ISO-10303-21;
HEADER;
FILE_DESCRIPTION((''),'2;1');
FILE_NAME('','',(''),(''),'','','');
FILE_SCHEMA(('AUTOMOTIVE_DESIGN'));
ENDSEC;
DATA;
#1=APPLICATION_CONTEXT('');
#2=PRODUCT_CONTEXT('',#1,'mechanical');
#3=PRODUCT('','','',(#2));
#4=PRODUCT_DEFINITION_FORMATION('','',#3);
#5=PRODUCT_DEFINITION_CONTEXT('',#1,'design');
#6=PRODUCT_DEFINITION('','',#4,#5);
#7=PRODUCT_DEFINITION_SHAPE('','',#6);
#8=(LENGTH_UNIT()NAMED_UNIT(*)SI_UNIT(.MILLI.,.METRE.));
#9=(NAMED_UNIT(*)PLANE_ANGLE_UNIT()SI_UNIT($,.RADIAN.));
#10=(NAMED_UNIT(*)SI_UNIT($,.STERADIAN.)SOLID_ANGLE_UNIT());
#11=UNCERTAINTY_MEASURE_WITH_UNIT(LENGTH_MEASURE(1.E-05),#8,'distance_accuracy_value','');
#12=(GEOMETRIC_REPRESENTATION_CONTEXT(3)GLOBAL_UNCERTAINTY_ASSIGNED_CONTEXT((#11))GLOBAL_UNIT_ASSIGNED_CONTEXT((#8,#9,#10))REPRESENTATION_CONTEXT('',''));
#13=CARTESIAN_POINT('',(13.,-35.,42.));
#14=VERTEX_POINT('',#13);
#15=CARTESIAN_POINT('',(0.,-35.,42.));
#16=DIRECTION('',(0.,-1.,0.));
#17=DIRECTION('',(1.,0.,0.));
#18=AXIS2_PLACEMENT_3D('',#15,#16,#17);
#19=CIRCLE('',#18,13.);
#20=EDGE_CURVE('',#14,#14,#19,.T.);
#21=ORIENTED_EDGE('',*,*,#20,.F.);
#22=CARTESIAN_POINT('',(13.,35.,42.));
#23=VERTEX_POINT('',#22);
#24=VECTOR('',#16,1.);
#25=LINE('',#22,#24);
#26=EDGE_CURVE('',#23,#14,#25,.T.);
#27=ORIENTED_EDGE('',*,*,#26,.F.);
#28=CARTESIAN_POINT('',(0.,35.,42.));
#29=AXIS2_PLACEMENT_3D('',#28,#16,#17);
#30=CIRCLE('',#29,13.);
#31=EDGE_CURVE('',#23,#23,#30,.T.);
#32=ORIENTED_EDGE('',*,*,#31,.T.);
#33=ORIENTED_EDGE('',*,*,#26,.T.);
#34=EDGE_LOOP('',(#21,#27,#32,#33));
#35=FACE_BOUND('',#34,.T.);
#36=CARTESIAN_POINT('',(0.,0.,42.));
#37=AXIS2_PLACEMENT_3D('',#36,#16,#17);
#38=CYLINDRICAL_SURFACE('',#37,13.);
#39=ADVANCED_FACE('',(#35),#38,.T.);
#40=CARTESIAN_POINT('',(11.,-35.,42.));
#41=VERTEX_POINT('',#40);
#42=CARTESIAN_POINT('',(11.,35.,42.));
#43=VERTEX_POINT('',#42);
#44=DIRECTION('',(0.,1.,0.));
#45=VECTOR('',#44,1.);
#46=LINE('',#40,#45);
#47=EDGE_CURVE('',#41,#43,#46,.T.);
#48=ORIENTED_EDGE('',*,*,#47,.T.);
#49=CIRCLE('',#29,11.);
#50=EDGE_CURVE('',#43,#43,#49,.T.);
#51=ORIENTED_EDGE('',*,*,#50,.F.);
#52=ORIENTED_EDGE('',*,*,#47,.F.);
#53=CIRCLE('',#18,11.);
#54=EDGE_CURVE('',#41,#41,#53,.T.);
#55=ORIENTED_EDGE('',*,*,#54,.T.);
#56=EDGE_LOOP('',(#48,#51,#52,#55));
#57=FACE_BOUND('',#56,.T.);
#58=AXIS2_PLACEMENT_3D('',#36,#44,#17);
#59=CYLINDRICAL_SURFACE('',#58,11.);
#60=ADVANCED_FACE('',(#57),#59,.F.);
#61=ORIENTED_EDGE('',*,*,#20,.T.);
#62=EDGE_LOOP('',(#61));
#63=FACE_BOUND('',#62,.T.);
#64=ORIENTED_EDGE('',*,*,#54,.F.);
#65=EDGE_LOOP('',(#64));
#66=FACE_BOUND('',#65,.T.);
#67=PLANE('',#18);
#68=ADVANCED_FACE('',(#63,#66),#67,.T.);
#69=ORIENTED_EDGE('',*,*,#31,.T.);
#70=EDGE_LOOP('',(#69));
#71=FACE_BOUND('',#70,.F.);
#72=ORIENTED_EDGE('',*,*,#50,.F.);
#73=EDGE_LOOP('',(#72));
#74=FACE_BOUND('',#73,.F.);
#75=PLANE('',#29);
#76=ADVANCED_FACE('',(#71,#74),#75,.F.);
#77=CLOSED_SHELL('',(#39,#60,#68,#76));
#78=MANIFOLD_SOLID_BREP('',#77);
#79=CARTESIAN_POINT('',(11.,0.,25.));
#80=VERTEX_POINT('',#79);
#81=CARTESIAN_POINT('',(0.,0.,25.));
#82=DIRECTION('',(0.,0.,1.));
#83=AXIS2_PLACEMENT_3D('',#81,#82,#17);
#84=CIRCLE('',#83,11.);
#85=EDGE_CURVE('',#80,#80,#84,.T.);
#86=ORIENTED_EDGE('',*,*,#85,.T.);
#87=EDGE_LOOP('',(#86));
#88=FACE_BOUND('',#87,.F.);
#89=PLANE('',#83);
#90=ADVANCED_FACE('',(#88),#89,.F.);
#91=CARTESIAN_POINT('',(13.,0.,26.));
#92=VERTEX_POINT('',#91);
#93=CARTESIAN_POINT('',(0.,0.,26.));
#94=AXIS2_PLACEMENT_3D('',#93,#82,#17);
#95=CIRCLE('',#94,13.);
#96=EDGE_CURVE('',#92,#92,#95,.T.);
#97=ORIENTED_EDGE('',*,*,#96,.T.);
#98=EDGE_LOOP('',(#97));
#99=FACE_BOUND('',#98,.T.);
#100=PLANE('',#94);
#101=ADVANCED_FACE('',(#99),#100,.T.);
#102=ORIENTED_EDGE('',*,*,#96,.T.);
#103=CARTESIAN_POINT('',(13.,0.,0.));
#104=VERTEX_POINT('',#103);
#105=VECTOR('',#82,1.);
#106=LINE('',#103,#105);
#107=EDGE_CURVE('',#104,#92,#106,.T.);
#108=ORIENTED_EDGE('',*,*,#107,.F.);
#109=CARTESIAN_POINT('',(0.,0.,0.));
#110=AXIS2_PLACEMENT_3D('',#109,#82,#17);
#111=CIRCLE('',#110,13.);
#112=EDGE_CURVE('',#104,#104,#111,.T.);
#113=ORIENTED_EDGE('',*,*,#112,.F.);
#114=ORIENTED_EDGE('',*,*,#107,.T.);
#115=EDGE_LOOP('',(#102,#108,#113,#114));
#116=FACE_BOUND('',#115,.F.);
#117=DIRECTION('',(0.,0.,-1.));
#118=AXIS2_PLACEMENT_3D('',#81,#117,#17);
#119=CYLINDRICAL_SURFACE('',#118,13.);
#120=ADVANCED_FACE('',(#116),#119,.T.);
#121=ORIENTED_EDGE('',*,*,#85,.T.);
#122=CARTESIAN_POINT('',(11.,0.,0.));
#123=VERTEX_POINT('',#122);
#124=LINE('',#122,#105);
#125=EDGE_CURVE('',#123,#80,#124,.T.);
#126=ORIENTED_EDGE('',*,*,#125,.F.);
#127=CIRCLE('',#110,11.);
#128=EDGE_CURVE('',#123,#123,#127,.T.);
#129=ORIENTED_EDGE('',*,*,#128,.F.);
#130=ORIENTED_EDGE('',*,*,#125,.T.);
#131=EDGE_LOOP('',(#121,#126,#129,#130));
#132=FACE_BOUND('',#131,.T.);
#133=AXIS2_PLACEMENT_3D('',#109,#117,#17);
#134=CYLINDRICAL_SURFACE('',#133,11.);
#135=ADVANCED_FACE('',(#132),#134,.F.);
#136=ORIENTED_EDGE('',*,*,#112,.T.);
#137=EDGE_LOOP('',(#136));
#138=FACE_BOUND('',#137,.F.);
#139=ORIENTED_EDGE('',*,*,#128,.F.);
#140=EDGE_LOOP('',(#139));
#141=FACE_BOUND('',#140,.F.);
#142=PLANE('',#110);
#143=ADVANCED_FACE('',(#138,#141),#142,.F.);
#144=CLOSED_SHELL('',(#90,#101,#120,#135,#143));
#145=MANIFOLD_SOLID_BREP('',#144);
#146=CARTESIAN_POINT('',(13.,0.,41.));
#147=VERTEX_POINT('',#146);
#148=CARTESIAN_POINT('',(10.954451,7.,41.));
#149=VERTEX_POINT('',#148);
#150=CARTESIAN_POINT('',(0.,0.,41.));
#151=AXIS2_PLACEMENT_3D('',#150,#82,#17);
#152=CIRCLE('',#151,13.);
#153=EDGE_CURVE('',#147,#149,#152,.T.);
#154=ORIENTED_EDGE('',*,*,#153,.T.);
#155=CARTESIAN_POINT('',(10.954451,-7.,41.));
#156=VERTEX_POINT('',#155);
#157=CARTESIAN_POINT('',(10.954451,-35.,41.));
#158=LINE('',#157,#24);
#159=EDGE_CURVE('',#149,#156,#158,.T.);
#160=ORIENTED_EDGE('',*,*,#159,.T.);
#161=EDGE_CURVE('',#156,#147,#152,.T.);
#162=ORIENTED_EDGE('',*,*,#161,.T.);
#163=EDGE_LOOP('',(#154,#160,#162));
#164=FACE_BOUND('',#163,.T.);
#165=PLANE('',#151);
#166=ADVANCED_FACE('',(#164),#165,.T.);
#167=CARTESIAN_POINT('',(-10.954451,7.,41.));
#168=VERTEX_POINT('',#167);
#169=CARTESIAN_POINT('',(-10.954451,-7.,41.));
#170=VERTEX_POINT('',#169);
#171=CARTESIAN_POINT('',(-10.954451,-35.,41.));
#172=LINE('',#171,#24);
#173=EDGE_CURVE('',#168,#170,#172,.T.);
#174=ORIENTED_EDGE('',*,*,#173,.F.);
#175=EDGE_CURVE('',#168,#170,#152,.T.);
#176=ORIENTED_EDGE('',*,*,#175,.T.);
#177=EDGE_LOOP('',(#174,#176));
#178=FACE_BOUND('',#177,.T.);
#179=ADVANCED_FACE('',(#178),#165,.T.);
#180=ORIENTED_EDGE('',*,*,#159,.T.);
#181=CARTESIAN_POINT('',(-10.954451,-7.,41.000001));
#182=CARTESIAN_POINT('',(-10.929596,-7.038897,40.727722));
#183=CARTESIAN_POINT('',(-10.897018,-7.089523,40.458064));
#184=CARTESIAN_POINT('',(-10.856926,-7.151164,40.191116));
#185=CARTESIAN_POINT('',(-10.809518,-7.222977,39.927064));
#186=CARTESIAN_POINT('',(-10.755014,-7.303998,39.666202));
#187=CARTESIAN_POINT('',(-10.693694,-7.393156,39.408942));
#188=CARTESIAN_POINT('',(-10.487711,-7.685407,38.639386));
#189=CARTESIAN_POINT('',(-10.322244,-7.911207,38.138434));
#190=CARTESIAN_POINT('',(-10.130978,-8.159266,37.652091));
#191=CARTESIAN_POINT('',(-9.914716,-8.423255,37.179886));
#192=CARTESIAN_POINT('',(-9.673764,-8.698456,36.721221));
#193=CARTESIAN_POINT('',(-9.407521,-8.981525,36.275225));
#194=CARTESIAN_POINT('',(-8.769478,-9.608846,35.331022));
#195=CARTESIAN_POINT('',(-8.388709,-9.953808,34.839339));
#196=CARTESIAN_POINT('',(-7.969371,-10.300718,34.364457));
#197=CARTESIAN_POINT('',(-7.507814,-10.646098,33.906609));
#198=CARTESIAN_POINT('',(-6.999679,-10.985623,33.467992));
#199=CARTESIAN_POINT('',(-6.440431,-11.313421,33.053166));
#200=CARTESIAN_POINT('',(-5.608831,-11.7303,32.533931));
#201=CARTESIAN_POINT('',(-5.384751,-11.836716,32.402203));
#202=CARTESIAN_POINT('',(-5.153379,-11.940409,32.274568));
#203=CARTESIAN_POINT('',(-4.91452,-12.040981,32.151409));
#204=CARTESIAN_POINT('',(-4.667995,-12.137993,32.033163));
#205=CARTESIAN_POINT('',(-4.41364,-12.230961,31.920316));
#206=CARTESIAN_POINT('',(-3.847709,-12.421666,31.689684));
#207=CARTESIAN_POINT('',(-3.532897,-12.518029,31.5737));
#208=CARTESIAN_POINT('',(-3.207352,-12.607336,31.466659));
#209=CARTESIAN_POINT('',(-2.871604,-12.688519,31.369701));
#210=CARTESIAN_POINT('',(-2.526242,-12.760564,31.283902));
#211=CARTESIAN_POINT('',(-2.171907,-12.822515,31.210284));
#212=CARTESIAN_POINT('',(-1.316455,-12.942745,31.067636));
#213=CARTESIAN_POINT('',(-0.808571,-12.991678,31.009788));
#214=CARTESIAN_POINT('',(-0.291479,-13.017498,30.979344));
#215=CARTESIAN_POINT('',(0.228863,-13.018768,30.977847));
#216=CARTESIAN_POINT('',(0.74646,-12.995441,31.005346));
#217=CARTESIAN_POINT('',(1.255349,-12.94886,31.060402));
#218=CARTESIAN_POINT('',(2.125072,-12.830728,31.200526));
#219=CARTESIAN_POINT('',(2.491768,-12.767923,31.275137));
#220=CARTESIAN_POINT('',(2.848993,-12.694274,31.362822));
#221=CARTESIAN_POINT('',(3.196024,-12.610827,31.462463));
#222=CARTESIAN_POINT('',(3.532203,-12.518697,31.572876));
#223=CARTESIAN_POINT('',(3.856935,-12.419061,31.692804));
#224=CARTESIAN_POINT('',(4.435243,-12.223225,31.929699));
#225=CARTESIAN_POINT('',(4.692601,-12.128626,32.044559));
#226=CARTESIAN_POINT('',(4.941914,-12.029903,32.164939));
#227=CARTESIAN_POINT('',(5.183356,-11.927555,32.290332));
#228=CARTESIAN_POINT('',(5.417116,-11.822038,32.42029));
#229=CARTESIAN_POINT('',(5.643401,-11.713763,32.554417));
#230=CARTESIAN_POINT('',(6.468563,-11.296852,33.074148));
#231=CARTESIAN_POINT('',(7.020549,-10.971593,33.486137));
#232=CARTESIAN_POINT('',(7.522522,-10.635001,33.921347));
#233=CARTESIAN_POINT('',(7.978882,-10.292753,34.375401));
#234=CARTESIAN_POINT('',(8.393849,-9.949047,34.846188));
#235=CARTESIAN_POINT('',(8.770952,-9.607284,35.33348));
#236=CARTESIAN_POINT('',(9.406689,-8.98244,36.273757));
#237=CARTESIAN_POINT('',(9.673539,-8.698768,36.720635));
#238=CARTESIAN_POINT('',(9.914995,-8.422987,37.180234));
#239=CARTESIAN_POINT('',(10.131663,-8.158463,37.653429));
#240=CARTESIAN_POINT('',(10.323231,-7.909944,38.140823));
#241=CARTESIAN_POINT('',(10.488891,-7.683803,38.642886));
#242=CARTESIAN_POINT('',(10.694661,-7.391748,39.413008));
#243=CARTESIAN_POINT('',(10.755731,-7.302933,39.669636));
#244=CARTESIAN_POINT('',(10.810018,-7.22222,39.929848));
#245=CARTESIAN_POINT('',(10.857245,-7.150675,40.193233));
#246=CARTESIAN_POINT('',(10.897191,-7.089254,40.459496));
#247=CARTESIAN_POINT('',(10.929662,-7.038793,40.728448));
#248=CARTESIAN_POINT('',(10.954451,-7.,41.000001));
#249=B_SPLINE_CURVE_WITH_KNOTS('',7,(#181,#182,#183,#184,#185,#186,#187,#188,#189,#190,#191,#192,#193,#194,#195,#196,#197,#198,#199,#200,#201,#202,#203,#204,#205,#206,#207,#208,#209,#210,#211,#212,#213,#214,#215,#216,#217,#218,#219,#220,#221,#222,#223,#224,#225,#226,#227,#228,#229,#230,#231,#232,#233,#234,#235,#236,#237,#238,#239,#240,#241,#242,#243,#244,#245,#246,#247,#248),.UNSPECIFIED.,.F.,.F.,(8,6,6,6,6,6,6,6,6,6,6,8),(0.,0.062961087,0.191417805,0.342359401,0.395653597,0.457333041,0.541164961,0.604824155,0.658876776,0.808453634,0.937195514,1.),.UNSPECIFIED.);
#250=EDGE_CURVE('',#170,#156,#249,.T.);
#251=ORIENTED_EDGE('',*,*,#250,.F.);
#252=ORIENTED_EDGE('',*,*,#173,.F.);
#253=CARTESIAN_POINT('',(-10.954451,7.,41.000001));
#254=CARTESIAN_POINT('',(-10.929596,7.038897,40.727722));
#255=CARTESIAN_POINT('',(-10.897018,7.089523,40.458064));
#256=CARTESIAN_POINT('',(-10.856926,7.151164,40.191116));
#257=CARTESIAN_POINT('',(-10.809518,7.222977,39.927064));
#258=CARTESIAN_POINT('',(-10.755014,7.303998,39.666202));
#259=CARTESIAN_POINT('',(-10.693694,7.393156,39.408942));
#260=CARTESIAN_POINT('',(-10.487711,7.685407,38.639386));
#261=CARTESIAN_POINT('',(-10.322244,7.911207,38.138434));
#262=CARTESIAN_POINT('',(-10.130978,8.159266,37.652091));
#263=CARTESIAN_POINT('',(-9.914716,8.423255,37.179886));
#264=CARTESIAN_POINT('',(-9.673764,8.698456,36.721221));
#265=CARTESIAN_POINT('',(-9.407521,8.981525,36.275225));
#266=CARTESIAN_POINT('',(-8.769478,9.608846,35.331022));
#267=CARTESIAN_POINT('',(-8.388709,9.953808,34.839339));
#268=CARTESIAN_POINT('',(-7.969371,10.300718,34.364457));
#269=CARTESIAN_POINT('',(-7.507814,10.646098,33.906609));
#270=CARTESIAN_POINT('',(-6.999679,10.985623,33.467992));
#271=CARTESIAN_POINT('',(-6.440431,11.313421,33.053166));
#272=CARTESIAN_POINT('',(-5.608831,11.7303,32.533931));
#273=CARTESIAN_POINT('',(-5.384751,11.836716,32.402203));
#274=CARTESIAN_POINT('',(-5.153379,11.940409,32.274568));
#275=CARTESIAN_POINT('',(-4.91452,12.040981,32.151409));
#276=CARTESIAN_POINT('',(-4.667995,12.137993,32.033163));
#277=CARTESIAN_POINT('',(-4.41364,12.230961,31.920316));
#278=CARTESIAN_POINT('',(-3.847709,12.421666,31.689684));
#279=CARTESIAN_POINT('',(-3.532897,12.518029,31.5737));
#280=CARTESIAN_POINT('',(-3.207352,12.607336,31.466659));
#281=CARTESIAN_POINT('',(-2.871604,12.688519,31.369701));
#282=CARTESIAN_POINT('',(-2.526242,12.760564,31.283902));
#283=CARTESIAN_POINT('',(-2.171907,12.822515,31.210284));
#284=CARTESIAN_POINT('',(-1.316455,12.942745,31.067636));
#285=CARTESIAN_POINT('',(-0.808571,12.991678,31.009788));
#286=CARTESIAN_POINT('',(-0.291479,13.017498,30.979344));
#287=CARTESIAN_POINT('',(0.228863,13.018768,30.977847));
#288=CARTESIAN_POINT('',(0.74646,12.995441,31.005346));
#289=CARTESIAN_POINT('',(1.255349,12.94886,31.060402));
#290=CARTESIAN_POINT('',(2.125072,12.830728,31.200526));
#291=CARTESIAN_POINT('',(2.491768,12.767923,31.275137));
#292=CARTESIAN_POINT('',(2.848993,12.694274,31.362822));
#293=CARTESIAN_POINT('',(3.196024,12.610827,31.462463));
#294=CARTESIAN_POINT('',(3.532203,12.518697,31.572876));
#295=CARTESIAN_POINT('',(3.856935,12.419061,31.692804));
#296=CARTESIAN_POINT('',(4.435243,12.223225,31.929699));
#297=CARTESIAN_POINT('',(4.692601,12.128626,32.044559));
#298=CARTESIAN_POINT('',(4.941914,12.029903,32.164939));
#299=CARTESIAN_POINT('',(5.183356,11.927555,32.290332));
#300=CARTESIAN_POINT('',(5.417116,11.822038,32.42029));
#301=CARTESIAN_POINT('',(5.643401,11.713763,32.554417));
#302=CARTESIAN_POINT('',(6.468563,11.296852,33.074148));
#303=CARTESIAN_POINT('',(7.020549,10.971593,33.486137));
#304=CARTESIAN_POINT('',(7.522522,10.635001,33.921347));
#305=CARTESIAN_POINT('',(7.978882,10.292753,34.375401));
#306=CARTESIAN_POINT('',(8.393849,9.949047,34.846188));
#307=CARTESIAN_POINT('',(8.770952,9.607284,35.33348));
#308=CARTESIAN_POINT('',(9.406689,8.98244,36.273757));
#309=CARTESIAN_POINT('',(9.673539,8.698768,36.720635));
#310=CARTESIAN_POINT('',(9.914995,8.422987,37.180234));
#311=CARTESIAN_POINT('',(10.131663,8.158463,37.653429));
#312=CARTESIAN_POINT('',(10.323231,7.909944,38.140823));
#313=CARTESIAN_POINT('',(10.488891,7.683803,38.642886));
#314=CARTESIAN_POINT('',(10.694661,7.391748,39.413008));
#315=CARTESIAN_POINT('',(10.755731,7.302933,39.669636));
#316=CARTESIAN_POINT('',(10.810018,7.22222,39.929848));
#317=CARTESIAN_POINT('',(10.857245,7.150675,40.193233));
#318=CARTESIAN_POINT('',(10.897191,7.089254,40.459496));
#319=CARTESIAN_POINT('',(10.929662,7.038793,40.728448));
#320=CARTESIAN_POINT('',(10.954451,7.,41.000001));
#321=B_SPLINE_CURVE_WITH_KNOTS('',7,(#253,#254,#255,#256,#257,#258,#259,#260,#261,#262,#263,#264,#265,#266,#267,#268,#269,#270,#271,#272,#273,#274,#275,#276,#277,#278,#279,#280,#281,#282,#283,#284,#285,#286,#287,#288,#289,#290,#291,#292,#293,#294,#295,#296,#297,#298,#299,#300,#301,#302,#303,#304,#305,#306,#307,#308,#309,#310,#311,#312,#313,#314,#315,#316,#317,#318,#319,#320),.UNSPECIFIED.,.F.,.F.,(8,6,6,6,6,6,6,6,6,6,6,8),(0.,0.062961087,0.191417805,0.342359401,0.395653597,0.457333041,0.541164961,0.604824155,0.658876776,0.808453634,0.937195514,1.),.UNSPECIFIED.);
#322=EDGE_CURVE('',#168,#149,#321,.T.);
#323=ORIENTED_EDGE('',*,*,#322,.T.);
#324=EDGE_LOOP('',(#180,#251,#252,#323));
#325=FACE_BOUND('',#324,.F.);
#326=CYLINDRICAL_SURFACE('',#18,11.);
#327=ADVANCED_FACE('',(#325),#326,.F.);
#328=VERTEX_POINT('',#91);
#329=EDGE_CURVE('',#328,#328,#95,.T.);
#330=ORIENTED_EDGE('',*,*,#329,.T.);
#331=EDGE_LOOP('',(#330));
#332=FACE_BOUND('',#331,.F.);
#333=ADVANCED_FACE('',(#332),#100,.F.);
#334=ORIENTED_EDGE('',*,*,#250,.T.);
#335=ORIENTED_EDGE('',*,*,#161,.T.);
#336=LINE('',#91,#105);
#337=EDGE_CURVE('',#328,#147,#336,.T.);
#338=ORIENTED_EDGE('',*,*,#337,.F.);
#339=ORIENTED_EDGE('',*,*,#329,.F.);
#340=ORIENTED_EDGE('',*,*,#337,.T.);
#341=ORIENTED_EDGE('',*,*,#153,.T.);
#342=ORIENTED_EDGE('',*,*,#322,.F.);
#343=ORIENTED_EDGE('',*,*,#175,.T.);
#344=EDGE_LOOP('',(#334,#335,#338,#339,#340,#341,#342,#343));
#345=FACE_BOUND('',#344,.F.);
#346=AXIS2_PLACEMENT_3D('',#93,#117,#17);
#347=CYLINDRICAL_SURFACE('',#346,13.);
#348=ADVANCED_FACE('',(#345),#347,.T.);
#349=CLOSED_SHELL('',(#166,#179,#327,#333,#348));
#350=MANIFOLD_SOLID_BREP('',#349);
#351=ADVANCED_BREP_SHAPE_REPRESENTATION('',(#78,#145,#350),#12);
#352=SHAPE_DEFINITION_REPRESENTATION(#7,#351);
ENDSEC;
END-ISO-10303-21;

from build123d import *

# Parameters (mm, degrees)
F0_R     = 13
F0_R_2   = 11
F1_DEPTH = 25
F2_R     = 13
F2_R_2   = 11
F3_DEPTH = 35
F4_R     = 13
F5_DEPTH = 1
F6_R     = 13
F7_DEPTH = 15
F8_R     = 11
F9_DEPTH = 70


with BuildPart() as f1:
    # F0 (on Top) → F1 (new body)
    with BuildSketch(Plane.XY):
        Circle(F0_R)
        Circle(F0_R_2, mode=Mode.SUBTRACT)
    extrude(amount=F1_DEPTH)

    # F4 (on face) → F5 (join)
    with BuildSketch(Plane.XY.offset(25)):
        Circle(F4_R)
    extrude(amount=F5_DEPTH)


with BuildPart() as f3:
    # F2 (on Front) → F3 (new body, symmetric)
    with BuildSketch(Plane.XZ):
        with Locations((0, 42)):
            Circle(F2_R)
        with Locations((0, 42)):
            Circle(F2_R_2, mode=Mode.SUBTRACT)
    extrude(amount=F3_DEPTH, both=True)


with BuildPart() as f7:
    # F6 (on face) → F7 (new body)
    with BuildSketch(Plane.XY.offset(26)):
        Circle(F6_R)
    extrude(amount=F7_DEPTH)

    # F8 (on face) → F9 (cut)
    with BuildSketch(Plane.XZ.offset(35)):
        with Locations((0, 42)):
            Circle(F8_R)
    extrude(amount=-F9_DEPTH, mode=Mode.SUBTRACT)


solid = Compound([f1.part, f3.part, f7.part])
